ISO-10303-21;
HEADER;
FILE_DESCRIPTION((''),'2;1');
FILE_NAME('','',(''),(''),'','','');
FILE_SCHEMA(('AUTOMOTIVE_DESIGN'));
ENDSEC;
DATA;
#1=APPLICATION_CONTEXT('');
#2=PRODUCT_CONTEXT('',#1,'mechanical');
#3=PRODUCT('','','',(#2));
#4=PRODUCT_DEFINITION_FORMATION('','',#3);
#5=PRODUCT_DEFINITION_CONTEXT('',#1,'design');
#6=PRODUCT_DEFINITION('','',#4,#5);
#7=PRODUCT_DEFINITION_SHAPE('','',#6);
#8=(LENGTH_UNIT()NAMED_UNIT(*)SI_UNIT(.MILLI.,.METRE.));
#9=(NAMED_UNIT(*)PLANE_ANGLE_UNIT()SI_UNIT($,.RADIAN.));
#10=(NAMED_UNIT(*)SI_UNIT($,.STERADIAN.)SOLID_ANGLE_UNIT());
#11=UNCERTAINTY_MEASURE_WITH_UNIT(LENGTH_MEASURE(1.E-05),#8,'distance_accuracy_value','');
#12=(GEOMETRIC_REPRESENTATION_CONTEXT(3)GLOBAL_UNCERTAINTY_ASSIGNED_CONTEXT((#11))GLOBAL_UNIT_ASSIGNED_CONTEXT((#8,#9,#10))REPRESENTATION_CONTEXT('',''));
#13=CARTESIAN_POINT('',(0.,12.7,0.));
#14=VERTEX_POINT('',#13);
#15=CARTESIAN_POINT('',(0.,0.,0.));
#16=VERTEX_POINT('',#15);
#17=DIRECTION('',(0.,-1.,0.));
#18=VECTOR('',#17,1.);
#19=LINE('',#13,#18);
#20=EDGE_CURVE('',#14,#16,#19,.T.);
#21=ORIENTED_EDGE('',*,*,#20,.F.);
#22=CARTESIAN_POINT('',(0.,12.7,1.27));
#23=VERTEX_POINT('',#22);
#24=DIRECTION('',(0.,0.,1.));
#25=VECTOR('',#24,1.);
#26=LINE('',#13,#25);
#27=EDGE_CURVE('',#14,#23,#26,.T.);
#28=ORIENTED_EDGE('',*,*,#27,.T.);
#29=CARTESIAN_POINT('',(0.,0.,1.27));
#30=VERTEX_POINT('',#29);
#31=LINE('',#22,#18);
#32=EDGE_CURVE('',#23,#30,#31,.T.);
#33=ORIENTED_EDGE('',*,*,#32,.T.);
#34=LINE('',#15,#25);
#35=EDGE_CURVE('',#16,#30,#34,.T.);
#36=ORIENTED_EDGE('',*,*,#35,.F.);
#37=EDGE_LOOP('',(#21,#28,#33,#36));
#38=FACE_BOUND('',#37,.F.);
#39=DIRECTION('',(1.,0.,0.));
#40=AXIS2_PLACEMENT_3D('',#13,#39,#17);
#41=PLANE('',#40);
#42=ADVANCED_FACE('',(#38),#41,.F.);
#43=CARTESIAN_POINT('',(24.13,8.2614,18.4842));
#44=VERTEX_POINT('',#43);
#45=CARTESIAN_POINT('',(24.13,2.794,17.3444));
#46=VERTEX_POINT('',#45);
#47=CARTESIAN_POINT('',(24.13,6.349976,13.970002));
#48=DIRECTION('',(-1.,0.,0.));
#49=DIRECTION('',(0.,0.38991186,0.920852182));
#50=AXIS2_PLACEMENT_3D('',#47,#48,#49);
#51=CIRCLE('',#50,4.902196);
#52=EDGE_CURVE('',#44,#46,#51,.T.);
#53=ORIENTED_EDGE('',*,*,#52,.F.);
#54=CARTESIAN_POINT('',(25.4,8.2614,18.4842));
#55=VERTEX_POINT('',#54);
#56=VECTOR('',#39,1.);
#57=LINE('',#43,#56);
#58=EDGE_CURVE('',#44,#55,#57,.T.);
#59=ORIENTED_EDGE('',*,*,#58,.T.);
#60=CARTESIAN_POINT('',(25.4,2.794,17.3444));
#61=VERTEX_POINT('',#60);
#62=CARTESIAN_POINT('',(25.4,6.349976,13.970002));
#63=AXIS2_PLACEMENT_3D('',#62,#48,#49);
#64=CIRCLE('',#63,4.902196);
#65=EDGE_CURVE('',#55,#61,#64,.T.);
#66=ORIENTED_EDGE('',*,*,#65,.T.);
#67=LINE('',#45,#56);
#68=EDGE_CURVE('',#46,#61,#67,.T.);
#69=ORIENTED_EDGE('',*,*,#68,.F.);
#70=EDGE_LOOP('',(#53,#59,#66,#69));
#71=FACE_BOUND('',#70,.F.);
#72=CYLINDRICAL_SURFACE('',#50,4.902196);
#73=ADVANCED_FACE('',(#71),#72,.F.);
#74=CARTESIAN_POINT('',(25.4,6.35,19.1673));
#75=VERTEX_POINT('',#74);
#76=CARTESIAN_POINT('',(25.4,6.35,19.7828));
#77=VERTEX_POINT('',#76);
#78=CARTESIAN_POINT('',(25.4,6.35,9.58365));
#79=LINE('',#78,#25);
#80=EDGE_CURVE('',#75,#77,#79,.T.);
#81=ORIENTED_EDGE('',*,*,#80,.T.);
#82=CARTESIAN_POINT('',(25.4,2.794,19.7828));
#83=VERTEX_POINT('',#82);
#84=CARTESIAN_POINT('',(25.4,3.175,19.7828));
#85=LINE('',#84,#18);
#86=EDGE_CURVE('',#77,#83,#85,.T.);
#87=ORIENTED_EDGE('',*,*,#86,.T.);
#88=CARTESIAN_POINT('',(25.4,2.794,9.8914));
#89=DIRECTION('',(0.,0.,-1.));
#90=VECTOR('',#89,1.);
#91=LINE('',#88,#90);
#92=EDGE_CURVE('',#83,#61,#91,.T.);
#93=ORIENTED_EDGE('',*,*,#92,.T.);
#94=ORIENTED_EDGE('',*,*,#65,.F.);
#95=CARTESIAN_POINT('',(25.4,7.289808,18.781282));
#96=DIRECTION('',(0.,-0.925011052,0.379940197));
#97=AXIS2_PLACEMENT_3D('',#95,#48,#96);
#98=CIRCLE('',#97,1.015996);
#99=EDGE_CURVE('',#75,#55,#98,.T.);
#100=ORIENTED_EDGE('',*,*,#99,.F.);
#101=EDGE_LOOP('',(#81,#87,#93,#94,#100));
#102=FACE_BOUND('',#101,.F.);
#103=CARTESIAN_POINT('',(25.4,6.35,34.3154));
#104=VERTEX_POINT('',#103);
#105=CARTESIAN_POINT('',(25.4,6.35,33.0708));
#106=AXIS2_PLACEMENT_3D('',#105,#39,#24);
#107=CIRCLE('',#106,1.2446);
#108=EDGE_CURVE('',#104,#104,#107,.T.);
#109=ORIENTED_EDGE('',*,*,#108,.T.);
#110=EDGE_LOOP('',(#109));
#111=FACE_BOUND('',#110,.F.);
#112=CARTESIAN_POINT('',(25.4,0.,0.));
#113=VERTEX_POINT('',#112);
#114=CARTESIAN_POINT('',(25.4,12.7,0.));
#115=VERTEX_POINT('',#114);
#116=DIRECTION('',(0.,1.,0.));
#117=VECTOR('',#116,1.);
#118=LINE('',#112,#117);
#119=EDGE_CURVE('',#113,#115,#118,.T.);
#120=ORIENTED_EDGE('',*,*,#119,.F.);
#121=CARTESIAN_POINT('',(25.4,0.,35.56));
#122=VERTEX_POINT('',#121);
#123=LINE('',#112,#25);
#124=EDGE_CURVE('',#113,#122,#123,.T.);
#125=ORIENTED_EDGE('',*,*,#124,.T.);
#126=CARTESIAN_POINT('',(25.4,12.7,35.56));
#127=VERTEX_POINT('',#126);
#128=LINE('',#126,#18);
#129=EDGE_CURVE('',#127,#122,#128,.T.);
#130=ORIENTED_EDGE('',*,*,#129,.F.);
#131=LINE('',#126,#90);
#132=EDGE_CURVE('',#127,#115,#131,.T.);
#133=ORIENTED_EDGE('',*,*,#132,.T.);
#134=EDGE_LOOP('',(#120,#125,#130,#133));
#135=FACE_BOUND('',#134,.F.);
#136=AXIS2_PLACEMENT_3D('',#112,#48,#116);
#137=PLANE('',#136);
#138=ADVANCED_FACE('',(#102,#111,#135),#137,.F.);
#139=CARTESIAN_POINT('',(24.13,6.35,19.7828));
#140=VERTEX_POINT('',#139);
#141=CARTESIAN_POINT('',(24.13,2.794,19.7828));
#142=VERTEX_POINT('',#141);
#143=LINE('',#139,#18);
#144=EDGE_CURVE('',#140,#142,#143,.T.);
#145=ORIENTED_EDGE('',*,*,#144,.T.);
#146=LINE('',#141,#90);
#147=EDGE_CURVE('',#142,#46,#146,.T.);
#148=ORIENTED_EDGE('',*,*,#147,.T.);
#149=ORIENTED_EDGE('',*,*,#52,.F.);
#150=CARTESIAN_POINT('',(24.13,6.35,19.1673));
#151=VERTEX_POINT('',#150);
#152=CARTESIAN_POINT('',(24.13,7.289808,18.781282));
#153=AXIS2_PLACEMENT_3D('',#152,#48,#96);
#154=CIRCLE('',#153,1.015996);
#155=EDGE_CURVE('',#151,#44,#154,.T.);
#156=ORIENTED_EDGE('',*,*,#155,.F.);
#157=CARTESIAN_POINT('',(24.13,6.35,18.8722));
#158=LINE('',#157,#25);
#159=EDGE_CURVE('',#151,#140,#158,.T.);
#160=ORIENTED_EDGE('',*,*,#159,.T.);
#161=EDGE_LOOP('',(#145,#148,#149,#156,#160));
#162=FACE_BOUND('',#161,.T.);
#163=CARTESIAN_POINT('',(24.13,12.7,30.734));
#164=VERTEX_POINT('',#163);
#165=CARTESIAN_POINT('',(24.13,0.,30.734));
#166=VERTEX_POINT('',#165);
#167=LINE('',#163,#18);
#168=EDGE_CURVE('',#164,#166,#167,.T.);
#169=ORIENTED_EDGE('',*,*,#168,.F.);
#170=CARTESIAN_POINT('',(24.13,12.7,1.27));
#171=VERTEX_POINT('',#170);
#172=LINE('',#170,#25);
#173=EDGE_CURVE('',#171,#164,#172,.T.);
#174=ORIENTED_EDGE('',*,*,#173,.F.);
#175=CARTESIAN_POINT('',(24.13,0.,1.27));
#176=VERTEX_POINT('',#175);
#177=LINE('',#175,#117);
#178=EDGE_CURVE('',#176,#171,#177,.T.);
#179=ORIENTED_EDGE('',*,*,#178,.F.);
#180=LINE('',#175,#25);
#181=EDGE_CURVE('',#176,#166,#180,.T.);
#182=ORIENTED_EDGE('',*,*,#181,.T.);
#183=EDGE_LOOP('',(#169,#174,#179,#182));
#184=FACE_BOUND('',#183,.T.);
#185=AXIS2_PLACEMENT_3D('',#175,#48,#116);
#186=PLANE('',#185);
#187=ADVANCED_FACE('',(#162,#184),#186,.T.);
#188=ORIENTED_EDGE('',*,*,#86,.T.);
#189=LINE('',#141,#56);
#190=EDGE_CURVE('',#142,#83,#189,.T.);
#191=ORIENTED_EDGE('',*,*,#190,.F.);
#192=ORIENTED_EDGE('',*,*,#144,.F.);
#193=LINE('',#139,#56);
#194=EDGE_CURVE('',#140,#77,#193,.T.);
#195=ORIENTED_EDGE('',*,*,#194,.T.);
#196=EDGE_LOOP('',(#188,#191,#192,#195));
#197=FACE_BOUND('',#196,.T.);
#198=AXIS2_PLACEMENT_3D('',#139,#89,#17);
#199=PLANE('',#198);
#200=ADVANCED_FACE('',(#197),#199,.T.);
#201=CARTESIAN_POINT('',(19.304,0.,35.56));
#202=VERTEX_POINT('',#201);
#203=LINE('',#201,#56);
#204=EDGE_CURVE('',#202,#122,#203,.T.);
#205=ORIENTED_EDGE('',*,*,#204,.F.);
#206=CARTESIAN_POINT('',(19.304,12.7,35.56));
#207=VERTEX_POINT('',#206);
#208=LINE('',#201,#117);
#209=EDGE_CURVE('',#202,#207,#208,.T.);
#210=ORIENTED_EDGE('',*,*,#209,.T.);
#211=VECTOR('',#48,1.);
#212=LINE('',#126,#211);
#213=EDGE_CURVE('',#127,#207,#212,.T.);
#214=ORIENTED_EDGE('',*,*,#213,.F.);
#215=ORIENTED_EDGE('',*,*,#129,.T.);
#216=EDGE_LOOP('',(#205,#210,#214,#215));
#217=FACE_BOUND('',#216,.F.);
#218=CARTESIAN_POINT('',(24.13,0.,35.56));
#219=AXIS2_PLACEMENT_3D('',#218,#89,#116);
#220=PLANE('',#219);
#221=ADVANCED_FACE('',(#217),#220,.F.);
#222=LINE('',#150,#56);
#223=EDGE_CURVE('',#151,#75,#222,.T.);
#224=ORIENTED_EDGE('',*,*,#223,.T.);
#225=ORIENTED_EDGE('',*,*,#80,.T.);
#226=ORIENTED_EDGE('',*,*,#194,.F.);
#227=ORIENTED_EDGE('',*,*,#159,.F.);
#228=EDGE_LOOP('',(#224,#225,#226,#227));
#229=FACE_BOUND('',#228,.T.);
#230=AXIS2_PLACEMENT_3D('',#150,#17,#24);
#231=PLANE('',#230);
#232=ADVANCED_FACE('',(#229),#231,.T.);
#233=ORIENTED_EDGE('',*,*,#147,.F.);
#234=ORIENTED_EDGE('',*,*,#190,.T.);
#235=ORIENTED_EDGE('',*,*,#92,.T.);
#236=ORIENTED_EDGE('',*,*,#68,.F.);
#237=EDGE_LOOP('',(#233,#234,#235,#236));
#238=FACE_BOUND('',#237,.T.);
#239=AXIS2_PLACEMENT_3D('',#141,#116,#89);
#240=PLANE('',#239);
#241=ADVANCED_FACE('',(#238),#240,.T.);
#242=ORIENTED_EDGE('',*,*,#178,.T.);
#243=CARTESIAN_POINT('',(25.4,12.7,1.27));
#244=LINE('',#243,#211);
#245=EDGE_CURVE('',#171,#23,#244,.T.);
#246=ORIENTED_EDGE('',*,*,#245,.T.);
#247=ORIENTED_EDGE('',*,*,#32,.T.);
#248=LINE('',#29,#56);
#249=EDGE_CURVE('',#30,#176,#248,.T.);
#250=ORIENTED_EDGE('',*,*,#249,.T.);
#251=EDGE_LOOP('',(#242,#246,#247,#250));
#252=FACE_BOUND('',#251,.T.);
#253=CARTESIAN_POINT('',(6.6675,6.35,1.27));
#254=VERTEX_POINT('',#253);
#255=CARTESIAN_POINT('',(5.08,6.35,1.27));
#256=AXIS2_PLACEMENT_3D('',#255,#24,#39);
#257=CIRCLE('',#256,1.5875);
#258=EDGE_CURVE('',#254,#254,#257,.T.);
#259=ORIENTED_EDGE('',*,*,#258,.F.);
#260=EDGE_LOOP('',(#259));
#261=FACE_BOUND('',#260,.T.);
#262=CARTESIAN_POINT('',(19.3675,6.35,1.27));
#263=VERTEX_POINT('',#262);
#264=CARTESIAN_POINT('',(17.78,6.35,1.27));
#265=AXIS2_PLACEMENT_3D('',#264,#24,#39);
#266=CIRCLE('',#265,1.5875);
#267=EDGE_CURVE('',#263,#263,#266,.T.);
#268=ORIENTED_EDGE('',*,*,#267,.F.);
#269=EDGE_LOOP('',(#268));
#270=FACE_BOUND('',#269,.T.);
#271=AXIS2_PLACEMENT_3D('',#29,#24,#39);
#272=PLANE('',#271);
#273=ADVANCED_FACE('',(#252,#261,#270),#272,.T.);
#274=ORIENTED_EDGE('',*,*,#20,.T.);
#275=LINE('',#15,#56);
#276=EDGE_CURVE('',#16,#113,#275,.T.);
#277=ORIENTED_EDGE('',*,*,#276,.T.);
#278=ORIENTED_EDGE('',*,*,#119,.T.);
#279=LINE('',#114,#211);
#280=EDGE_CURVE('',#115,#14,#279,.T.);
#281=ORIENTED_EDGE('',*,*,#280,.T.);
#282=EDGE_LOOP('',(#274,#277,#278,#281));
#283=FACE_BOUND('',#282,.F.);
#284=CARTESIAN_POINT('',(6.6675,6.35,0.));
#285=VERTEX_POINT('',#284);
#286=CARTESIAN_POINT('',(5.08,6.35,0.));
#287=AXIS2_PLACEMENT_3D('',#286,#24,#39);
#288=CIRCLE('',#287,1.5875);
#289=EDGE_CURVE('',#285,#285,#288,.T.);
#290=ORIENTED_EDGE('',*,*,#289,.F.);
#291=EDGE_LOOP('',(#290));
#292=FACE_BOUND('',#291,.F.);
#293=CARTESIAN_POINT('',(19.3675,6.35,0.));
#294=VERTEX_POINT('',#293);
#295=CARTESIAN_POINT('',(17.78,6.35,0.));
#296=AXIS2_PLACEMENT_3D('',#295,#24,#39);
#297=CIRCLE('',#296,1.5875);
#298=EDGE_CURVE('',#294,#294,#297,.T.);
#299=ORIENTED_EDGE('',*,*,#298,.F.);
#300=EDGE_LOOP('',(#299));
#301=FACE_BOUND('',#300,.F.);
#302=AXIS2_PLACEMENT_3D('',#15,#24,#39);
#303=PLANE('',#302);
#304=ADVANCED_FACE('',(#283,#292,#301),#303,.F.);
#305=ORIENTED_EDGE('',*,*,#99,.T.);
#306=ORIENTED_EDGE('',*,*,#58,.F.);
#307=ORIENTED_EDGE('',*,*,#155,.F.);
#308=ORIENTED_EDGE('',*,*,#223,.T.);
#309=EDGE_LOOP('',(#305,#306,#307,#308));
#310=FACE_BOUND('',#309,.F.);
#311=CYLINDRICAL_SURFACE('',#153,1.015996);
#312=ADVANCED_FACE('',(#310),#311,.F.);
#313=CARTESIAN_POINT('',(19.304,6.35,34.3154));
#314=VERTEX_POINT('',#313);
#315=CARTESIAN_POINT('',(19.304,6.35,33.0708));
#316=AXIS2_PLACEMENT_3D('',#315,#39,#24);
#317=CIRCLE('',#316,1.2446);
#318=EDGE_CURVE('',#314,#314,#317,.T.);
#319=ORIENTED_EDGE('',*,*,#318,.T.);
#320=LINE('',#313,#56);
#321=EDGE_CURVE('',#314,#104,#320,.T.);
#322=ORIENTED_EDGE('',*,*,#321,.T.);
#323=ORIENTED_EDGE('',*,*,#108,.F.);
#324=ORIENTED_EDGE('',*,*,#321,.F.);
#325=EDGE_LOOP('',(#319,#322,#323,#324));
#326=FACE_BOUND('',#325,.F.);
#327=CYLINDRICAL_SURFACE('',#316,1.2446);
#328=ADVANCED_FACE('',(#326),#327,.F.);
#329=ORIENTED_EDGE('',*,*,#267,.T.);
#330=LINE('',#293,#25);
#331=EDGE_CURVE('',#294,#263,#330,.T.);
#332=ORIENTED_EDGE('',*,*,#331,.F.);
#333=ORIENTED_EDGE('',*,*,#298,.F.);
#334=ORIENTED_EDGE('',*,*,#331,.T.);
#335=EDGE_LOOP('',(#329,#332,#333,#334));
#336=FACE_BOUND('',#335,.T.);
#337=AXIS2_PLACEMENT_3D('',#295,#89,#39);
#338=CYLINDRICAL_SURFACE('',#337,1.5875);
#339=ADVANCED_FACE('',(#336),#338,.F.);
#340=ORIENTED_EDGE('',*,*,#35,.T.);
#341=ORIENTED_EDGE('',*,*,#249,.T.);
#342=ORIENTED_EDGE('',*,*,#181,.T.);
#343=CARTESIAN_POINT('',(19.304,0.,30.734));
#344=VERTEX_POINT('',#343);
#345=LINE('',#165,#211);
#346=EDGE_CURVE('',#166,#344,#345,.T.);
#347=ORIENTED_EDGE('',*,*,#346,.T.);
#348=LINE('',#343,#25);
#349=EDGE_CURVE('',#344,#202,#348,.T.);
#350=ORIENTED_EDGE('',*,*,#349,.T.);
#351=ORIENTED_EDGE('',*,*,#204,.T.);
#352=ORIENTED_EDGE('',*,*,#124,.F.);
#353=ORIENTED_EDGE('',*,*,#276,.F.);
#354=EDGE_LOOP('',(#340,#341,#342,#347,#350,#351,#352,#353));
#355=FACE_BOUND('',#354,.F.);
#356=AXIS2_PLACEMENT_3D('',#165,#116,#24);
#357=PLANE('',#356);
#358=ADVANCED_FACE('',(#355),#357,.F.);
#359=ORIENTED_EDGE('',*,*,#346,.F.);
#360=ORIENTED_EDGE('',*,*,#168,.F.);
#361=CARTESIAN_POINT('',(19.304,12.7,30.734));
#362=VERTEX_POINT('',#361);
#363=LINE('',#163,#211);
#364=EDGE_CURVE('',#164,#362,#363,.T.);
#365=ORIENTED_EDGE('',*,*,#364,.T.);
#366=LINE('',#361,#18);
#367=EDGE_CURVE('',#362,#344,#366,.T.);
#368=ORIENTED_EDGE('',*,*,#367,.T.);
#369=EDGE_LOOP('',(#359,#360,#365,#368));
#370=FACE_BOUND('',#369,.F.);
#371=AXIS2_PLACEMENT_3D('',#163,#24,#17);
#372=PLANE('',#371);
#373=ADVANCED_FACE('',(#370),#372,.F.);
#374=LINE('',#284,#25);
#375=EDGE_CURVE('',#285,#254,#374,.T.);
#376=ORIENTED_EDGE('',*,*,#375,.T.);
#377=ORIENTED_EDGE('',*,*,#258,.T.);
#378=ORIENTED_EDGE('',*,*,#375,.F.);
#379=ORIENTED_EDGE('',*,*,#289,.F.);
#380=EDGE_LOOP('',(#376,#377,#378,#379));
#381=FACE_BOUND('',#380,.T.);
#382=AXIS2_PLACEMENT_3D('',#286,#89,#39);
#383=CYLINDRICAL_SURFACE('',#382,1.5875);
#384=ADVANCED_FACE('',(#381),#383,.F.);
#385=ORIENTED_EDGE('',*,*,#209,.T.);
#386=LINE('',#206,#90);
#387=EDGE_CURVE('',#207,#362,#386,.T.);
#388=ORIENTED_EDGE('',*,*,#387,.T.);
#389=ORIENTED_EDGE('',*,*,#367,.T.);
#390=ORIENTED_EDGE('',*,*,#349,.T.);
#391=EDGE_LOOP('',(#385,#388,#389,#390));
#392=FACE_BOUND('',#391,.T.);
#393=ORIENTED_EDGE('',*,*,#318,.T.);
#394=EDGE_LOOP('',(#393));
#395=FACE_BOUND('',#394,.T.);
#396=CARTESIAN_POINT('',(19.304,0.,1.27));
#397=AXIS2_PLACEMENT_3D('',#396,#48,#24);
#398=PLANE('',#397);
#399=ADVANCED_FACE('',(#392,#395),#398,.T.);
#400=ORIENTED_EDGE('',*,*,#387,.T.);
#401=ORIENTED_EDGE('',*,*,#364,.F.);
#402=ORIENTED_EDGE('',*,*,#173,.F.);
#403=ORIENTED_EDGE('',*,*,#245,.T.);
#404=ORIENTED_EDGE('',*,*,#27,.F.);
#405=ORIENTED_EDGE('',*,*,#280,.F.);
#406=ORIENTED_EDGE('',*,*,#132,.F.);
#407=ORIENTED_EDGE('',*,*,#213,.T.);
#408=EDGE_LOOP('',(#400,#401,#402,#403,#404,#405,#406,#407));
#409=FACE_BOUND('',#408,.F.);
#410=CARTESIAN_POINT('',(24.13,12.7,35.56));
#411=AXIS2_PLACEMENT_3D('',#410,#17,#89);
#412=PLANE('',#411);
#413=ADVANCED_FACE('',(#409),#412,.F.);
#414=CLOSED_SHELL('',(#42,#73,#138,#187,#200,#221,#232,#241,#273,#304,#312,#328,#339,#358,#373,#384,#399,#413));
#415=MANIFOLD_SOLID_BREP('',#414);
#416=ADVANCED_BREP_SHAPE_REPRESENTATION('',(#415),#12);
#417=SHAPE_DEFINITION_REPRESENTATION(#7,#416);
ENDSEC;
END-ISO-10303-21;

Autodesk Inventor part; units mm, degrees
ref_plane "YZ Plane" through (0, 0, 0) normal (1, 0, 0) x (0, 1, 0)
ref_plane "XZ Plane" through (0, 0, 0) normal (0, 1, 0) x (-1, 0, 0)
ref_plane "XY Plane" through (0, 0, 0) normal (0, 0, 1) x (1, 0, 0)
sketch "Sketch1" plane through (0, 0, 0) normal (0, 0, 1) x (1, 0, 0)
  line L0 (0, 0) -> (25.4, 0)
  line L1 (25.4, 0) -> (25.4, 12.7)
  line L2 (25.4, 12.7) -> (0, 12.7)
  line L3 (0, 12.7) -> (0, 0)
  circle A0 centre (5.08, 6.35) radius 1.5875
  circle A1 centre (17.78, 6.35) radius 1.5875
  dimension "d0" = 12.7
  dimension "d1" = 25.4
  dimension "d2" = 3.175
  dimension "d3" = 3.175
  dimension "d4" = 6.35
  dimension "d5" = 5.08
  dimension "d6" = 12.7
extrude "Extrusion1" add sketch "Sketch1" along normal blind 1.27
sketch "Sketch2" plane through (0, 0, 1.27) normal (0, 0, 1) x (1, 0, 0)
  line L0 (25.4, 12.7) -> (0, 12.7) projected
  line L1 (25.4, 0) -> (24.13, 0)
  line L2 (24.13, 0) -> (24.13, 12.7)
  line L3 (24.13, 12.7) -> (25.4, 12.7)
  line L4 (25.4, 12.7) -> (25.4, 0)
  point P0 (0, 0)
  dimension "d9" = 1.27
extrude "Extrusion2" add sketch "Sketch2" along normal blind 34.29
sketch "Sketch3" plane through (24.13, 0, 1.27) normal (-1, 0, 0) x (0, 0, 1)
  line L0 (0, 12.7) -> (0, 0) projected
  line L1 (0, 12.7) -> (34.29, 12.7) projected
  arc A0 (17.2142, 8.2614) -> (16.0744, 2.794) centre (12.7, 6.35) ccw
  line L2 (17.6022, 6.35) -> (18.5128, 6.35)
  line L3 (18.5128, 6.35) -> (18.5128, 2.794)
  line L4 (18.5128, 2.794) -> (16.0744, 2.794)
  line L5 (16.0744, 2.794) -> (16.0744, 6.35)
  arc A1 (17.8973, 6.35) -> (17.2142, 8.2614) centre (17.5113, 7.2898) ccw
  point P0 (-1.27, 0)
  point P1 (17.2936, 6.35)
  dimension "d21" = 9.8044
  dimension "d22" = 12.7
  dimension "d23" = 6.35
  dimension "d24" = 3.556
  dimension "d25" = 2.4384
  dimension "d26" = 2.032
  dimension "d27" = 0.9398
  dimension "d28" = 3.556
extrude "Extrusion3" cut sketch "Sketch3" against normal blind 25.4
sketch "Sketch4" plane through (24.13, 0, 1.27) normal (-1, 0, 0) x (0, 0, 1)
  line L0 (34.29, 12.7) -> (29.464, 12.7)
  line L1 (29.464, 12.7) -> (29.464, 0)
  line L2 (29.464, 0) -> (34.29, 0)
  line L3 (34.29, 0) -> (34.29, 12.7)
  arc A0 (17.2142, 8.2614) -> (16.0744, 2.794) centre (12.7, 6.35) ccw projected
  line L4 (0, 0) -> (34.29, 0) projected
  point P0 (-1.27, 0)
  point P1 (31.877, 0)
  dimension "d29" = 16.764
extrude "Extrusion4" add sketch "Sketch4" along normal blind 4.826
sketch "Sketch5" plane through (19.304, 0, 1.27) normal (-1, 0, 0) x (0, 0, 1)
  line L0 (34.29, 12.7) -> (29.464, 12.7) projected
  line L1 (29.464, 12.7) -> (29.464, 0) projected
  line L2 (29.464, 0) -> (34.29, 0) projected
  line L3 (34.29, 0) -> (34.29, 12.7) projected
  point P0 (-1.27, 0)
  point P1 (31.8008, 6.35)
  dimension "d33" = 4.826
  dimension "d35" = 12.7
  dimension "d38" = 6.35
  dimension "d46" = 2.3368
hole "Hole1" at (19.304, 6.35, 33.0708) direction (1, 0, 0) diameter 2.4892 end through all
properties part number "000208"
